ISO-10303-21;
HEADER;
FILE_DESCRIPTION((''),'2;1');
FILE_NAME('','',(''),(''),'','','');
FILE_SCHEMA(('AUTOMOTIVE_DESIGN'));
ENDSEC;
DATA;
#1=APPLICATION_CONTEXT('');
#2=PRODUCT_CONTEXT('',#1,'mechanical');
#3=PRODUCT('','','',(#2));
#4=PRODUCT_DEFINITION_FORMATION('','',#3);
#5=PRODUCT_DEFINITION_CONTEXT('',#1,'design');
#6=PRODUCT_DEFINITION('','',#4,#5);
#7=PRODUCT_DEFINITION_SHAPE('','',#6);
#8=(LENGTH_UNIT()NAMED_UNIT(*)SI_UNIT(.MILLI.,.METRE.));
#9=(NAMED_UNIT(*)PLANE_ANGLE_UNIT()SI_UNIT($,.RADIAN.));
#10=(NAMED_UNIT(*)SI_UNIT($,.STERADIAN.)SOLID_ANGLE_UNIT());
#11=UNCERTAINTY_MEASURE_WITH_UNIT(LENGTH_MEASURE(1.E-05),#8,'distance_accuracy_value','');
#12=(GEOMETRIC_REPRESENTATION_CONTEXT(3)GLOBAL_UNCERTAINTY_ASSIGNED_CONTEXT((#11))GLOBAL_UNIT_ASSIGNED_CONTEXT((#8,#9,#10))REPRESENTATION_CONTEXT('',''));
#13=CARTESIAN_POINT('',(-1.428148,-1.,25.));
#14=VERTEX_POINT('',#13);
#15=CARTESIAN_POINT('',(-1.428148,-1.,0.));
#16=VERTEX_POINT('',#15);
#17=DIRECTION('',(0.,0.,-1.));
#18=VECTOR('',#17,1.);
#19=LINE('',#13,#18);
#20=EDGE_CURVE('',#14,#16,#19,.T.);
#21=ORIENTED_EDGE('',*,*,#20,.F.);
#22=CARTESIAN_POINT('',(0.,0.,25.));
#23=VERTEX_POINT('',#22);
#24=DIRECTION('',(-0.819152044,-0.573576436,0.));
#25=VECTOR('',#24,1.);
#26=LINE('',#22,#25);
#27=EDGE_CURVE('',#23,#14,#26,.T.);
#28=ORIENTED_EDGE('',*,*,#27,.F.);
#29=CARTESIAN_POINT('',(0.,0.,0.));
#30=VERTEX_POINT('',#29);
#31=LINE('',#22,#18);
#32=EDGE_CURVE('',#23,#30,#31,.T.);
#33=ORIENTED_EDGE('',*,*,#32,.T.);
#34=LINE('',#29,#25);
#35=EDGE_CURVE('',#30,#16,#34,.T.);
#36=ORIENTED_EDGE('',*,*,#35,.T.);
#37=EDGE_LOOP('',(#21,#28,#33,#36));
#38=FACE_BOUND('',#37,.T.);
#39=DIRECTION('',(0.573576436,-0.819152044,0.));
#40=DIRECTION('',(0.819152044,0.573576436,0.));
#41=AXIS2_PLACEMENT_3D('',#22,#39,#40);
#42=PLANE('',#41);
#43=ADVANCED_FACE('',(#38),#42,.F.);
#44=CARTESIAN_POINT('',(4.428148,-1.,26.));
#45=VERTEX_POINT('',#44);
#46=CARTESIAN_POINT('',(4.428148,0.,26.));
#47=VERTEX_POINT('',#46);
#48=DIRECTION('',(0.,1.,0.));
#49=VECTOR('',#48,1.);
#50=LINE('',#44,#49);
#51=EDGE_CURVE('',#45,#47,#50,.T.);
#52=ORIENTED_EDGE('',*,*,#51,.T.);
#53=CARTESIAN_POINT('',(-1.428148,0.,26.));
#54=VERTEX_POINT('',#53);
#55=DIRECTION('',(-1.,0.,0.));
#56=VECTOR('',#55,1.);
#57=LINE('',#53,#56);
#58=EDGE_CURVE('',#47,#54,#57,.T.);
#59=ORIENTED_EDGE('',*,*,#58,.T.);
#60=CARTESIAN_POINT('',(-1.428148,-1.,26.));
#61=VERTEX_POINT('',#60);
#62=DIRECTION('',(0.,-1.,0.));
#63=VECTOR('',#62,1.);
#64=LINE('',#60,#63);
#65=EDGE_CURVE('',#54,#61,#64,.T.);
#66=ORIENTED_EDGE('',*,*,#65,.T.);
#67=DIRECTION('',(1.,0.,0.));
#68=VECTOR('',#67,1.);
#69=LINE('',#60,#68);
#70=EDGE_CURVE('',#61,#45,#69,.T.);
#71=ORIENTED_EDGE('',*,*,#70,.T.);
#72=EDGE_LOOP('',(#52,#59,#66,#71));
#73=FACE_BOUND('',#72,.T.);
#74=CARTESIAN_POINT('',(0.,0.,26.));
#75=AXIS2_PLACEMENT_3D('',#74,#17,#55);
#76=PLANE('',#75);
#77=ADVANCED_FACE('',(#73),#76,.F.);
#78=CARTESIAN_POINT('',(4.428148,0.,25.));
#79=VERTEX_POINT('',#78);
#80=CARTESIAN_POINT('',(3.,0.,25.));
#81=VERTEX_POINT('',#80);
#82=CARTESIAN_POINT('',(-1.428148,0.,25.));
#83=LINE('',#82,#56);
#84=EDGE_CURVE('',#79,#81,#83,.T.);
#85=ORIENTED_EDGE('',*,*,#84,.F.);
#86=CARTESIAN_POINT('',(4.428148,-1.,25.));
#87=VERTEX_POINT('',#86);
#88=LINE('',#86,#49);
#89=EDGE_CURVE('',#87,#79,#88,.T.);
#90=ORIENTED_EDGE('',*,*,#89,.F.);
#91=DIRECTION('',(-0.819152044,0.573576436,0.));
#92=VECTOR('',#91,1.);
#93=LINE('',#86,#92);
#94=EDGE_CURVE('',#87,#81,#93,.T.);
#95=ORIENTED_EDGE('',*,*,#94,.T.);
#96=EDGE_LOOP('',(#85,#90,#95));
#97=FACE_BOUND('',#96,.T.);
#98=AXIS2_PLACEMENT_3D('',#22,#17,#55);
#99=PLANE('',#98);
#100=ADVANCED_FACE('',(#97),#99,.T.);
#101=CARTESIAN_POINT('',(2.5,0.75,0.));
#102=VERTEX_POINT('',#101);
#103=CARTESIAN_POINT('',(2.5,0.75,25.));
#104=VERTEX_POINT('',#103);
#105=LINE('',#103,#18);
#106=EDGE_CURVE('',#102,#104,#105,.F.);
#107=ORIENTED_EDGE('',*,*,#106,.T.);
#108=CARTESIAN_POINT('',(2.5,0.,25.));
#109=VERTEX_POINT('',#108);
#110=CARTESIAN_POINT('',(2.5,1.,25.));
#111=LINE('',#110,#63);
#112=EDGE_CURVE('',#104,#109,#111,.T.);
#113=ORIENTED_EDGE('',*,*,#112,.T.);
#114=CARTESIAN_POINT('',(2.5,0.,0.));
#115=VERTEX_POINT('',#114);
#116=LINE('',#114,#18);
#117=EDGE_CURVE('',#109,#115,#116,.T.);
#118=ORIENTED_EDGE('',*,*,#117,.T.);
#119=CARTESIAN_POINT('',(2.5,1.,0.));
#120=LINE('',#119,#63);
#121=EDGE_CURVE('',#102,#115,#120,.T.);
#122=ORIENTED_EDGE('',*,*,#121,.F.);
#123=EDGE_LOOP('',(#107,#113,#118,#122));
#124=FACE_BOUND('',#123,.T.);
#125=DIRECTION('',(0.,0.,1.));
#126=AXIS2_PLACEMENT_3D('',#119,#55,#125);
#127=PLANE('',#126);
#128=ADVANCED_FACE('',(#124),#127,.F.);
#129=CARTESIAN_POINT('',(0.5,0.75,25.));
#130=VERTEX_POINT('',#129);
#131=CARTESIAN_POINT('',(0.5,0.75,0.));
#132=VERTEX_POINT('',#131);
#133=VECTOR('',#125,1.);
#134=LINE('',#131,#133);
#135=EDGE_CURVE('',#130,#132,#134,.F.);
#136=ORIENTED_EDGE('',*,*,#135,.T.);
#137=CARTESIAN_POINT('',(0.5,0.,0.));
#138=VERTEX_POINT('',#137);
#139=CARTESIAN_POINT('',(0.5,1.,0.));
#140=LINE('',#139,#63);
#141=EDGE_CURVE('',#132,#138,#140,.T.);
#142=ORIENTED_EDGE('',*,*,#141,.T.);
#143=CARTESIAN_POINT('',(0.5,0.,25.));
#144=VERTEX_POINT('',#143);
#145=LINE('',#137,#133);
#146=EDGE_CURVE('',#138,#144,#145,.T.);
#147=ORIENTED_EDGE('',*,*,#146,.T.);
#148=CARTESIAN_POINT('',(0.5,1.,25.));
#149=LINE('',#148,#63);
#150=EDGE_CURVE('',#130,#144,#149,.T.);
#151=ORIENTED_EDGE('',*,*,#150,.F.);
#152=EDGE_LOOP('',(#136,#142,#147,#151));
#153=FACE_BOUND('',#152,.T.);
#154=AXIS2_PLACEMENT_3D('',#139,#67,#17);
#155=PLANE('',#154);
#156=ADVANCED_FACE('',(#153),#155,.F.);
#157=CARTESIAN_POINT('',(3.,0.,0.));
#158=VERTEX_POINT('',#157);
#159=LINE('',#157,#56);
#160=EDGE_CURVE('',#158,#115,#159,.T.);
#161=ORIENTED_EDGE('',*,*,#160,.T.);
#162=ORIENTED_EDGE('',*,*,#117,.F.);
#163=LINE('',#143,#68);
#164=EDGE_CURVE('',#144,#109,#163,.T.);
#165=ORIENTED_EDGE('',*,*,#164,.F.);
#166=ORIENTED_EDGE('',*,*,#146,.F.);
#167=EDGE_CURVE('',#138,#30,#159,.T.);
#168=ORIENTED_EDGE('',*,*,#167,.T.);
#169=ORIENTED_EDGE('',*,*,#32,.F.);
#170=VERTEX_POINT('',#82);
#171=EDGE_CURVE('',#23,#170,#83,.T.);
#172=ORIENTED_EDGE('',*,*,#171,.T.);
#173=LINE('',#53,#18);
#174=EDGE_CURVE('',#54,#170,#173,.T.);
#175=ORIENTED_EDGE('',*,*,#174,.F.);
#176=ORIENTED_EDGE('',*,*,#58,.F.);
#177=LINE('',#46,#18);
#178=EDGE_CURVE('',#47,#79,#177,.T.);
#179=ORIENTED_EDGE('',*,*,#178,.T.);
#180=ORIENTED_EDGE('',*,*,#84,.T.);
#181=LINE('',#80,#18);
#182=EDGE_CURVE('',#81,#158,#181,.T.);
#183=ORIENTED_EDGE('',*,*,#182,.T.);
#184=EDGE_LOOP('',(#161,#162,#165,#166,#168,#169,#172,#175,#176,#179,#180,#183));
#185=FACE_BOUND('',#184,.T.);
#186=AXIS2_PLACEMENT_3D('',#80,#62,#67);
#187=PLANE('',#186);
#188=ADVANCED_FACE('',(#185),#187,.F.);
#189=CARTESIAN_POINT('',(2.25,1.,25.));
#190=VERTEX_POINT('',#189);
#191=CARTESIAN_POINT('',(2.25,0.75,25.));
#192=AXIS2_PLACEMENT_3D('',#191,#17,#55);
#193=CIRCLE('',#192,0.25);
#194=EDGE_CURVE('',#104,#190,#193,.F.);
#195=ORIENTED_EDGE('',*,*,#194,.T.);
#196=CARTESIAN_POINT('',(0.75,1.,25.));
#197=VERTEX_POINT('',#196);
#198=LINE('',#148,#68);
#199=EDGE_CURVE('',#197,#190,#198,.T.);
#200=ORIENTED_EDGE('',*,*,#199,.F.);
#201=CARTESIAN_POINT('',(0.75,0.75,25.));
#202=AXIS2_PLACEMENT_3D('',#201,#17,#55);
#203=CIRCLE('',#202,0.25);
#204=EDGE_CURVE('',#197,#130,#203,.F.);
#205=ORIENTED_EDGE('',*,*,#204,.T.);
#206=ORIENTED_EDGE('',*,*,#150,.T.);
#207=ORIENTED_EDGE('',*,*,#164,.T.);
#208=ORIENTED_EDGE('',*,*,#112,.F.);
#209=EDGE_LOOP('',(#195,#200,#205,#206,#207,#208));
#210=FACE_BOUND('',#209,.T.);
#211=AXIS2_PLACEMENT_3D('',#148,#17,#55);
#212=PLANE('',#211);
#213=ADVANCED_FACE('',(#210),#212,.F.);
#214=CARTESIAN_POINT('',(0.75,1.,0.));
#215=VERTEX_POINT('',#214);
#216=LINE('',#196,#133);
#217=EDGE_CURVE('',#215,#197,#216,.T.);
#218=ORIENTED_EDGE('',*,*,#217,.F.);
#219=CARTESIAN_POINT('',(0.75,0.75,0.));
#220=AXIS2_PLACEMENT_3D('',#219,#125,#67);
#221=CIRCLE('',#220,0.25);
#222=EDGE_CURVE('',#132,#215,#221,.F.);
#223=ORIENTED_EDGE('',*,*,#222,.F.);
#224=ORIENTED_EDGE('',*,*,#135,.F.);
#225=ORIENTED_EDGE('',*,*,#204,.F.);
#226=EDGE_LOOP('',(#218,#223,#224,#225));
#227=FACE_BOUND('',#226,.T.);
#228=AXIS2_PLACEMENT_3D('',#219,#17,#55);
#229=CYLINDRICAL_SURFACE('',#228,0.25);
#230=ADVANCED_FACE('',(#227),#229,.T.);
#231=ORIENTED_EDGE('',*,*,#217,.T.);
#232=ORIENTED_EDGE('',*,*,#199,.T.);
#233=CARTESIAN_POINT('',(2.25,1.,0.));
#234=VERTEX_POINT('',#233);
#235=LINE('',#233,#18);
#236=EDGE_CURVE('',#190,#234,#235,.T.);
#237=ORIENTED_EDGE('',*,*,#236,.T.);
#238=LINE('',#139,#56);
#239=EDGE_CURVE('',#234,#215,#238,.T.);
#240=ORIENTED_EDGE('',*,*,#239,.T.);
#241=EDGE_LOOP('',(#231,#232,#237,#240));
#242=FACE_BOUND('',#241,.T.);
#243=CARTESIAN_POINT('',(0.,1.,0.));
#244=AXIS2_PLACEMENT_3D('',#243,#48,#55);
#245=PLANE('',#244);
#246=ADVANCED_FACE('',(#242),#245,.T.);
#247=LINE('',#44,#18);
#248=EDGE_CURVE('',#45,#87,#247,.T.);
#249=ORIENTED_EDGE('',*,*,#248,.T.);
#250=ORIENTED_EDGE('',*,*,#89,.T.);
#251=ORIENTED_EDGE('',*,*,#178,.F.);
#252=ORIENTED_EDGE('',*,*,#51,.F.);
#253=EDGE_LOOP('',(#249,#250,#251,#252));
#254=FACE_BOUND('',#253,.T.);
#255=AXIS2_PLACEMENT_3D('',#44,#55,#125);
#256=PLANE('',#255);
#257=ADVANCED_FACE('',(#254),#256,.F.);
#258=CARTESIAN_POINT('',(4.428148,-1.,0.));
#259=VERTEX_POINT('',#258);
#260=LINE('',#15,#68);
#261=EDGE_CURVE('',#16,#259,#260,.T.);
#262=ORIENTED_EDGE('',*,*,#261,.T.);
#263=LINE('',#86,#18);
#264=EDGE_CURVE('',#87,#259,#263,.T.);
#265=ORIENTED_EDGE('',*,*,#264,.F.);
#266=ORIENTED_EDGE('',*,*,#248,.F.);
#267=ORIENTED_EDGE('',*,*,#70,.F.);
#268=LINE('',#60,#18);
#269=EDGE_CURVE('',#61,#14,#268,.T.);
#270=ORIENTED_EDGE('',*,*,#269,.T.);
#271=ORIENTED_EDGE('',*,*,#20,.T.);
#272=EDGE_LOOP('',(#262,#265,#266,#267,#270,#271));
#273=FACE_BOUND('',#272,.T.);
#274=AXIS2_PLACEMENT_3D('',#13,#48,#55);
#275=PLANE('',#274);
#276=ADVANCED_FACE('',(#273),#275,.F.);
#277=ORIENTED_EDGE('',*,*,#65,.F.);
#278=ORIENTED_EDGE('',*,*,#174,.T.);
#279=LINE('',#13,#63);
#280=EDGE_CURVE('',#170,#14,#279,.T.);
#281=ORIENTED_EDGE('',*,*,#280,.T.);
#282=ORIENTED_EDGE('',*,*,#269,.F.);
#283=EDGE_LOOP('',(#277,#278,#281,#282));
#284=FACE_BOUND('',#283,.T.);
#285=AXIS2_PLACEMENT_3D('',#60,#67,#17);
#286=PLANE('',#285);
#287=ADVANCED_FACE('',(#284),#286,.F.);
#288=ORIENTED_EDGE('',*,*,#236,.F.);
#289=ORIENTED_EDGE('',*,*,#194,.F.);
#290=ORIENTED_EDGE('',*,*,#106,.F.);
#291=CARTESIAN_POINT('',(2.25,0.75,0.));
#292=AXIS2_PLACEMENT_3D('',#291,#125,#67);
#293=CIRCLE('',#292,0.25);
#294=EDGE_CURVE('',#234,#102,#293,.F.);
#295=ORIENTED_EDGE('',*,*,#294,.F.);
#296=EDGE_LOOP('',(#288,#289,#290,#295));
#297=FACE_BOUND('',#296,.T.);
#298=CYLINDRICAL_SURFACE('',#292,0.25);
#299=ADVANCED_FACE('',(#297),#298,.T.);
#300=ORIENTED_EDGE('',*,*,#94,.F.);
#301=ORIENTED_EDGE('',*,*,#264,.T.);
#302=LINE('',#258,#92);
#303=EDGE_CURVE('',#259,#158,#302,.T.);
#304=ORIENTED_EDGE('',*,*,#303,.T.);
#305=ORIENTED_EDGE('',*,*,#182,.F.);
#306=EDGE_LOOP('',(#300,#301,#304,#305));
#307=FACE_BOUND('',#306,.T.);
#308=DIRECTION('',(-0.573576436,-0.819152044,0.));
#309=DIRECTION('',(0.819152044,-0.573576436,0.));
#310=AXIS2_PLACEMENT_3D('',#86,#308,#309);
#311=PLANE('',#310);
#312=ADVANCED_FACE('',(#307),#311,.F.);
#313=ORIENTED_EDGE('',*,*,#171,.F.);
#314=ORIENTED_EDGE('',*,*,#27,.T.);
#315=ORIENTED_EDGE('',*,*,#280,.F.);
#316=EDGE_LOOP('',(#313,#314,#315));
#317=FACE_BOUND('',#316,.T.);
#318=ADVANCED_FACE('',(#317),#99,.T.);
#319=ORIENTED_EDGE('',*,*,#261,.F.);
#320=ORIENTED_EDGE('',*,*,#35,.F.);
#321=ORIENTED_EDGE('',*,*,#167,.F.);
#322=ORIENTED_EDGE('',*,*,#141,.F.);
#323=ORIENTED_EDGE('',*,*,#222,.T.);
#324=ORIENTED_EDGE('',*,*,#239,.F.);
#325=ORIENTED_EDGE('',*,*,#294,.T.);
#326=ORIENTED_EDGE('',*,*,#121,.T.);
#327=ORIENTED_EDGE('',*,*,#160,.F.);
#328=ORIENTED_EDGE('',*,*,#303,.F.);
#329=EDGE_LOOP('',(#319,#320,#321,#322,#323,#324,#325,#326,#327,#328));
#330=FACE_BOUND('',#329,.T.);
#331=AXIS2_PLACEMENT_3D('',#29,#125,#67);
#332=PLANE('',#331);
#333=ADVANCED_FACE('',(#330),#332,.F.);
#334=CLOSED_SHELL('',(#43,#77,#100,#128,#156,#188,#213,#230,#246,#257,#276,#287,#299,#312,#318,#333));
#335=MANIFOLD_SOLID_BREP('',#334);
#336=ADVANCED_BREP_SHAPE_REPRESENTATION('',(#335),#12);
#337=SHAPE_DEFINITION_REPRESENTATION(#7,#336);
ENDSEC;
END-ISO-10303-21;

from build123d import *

# Parameters (mm, degrees)
BOSS_EXTRUDE1_DEPTH = 25
SKETCH2_W           = 5.856296014
SKETCH2_H           = 1
BOSS_EXTRUDE2_DEPTH = 1
SKETCH3_W           = 2
SKETCH3_H           = 25
BOSS_EXTRUDE3_DEPTH = 1
FILLET1_R           = 0.25


with BuildPart() as part:
    # Sketch1 → Boss-Extrude1 (new body)
    with BuildSketch(Plane.XY):
        Polygon((0, 0), (-1.428148007, -1), (4.428148007, -1), (3, 0), align=None)
    extrude(amount=BOSS_EXTRUDE1_DEPTH)

    # Sketch2 → Boss-Extrude2 (add)
    with BuildSketch(Plane.XY.offset(25)):
        with Locations((1.5, -0.5)):
            Rectangle(SKETCH2_W, SKETCH2_H)
    extrude(amount=BOSS_EXTRUDE2_DEPTH)

    # Sketch3 → Boss-Extrude3 (add)
    with BuildSketch(Plane(origin=(0, 0, 0), x_dir=(1, 0, 0), z_dir=(0, 1, 0))):
        with Locations((1.5, -12.5)):
            Rectangle(SKETCH3_W, SKETCH3_H)
    extrude(amount=BOSS_EXTRUDE3_DEPTH)

    # Fillet1
    fillet1_edges = [part.edges().sort_by_distance(p)[0] for p in [
        (0.5, 1, 12.5),
        (2.5, 1, 12.5),
    ]]
    fillet(fillet1_edges, radius=FILLET1_R)


solid = part.part
